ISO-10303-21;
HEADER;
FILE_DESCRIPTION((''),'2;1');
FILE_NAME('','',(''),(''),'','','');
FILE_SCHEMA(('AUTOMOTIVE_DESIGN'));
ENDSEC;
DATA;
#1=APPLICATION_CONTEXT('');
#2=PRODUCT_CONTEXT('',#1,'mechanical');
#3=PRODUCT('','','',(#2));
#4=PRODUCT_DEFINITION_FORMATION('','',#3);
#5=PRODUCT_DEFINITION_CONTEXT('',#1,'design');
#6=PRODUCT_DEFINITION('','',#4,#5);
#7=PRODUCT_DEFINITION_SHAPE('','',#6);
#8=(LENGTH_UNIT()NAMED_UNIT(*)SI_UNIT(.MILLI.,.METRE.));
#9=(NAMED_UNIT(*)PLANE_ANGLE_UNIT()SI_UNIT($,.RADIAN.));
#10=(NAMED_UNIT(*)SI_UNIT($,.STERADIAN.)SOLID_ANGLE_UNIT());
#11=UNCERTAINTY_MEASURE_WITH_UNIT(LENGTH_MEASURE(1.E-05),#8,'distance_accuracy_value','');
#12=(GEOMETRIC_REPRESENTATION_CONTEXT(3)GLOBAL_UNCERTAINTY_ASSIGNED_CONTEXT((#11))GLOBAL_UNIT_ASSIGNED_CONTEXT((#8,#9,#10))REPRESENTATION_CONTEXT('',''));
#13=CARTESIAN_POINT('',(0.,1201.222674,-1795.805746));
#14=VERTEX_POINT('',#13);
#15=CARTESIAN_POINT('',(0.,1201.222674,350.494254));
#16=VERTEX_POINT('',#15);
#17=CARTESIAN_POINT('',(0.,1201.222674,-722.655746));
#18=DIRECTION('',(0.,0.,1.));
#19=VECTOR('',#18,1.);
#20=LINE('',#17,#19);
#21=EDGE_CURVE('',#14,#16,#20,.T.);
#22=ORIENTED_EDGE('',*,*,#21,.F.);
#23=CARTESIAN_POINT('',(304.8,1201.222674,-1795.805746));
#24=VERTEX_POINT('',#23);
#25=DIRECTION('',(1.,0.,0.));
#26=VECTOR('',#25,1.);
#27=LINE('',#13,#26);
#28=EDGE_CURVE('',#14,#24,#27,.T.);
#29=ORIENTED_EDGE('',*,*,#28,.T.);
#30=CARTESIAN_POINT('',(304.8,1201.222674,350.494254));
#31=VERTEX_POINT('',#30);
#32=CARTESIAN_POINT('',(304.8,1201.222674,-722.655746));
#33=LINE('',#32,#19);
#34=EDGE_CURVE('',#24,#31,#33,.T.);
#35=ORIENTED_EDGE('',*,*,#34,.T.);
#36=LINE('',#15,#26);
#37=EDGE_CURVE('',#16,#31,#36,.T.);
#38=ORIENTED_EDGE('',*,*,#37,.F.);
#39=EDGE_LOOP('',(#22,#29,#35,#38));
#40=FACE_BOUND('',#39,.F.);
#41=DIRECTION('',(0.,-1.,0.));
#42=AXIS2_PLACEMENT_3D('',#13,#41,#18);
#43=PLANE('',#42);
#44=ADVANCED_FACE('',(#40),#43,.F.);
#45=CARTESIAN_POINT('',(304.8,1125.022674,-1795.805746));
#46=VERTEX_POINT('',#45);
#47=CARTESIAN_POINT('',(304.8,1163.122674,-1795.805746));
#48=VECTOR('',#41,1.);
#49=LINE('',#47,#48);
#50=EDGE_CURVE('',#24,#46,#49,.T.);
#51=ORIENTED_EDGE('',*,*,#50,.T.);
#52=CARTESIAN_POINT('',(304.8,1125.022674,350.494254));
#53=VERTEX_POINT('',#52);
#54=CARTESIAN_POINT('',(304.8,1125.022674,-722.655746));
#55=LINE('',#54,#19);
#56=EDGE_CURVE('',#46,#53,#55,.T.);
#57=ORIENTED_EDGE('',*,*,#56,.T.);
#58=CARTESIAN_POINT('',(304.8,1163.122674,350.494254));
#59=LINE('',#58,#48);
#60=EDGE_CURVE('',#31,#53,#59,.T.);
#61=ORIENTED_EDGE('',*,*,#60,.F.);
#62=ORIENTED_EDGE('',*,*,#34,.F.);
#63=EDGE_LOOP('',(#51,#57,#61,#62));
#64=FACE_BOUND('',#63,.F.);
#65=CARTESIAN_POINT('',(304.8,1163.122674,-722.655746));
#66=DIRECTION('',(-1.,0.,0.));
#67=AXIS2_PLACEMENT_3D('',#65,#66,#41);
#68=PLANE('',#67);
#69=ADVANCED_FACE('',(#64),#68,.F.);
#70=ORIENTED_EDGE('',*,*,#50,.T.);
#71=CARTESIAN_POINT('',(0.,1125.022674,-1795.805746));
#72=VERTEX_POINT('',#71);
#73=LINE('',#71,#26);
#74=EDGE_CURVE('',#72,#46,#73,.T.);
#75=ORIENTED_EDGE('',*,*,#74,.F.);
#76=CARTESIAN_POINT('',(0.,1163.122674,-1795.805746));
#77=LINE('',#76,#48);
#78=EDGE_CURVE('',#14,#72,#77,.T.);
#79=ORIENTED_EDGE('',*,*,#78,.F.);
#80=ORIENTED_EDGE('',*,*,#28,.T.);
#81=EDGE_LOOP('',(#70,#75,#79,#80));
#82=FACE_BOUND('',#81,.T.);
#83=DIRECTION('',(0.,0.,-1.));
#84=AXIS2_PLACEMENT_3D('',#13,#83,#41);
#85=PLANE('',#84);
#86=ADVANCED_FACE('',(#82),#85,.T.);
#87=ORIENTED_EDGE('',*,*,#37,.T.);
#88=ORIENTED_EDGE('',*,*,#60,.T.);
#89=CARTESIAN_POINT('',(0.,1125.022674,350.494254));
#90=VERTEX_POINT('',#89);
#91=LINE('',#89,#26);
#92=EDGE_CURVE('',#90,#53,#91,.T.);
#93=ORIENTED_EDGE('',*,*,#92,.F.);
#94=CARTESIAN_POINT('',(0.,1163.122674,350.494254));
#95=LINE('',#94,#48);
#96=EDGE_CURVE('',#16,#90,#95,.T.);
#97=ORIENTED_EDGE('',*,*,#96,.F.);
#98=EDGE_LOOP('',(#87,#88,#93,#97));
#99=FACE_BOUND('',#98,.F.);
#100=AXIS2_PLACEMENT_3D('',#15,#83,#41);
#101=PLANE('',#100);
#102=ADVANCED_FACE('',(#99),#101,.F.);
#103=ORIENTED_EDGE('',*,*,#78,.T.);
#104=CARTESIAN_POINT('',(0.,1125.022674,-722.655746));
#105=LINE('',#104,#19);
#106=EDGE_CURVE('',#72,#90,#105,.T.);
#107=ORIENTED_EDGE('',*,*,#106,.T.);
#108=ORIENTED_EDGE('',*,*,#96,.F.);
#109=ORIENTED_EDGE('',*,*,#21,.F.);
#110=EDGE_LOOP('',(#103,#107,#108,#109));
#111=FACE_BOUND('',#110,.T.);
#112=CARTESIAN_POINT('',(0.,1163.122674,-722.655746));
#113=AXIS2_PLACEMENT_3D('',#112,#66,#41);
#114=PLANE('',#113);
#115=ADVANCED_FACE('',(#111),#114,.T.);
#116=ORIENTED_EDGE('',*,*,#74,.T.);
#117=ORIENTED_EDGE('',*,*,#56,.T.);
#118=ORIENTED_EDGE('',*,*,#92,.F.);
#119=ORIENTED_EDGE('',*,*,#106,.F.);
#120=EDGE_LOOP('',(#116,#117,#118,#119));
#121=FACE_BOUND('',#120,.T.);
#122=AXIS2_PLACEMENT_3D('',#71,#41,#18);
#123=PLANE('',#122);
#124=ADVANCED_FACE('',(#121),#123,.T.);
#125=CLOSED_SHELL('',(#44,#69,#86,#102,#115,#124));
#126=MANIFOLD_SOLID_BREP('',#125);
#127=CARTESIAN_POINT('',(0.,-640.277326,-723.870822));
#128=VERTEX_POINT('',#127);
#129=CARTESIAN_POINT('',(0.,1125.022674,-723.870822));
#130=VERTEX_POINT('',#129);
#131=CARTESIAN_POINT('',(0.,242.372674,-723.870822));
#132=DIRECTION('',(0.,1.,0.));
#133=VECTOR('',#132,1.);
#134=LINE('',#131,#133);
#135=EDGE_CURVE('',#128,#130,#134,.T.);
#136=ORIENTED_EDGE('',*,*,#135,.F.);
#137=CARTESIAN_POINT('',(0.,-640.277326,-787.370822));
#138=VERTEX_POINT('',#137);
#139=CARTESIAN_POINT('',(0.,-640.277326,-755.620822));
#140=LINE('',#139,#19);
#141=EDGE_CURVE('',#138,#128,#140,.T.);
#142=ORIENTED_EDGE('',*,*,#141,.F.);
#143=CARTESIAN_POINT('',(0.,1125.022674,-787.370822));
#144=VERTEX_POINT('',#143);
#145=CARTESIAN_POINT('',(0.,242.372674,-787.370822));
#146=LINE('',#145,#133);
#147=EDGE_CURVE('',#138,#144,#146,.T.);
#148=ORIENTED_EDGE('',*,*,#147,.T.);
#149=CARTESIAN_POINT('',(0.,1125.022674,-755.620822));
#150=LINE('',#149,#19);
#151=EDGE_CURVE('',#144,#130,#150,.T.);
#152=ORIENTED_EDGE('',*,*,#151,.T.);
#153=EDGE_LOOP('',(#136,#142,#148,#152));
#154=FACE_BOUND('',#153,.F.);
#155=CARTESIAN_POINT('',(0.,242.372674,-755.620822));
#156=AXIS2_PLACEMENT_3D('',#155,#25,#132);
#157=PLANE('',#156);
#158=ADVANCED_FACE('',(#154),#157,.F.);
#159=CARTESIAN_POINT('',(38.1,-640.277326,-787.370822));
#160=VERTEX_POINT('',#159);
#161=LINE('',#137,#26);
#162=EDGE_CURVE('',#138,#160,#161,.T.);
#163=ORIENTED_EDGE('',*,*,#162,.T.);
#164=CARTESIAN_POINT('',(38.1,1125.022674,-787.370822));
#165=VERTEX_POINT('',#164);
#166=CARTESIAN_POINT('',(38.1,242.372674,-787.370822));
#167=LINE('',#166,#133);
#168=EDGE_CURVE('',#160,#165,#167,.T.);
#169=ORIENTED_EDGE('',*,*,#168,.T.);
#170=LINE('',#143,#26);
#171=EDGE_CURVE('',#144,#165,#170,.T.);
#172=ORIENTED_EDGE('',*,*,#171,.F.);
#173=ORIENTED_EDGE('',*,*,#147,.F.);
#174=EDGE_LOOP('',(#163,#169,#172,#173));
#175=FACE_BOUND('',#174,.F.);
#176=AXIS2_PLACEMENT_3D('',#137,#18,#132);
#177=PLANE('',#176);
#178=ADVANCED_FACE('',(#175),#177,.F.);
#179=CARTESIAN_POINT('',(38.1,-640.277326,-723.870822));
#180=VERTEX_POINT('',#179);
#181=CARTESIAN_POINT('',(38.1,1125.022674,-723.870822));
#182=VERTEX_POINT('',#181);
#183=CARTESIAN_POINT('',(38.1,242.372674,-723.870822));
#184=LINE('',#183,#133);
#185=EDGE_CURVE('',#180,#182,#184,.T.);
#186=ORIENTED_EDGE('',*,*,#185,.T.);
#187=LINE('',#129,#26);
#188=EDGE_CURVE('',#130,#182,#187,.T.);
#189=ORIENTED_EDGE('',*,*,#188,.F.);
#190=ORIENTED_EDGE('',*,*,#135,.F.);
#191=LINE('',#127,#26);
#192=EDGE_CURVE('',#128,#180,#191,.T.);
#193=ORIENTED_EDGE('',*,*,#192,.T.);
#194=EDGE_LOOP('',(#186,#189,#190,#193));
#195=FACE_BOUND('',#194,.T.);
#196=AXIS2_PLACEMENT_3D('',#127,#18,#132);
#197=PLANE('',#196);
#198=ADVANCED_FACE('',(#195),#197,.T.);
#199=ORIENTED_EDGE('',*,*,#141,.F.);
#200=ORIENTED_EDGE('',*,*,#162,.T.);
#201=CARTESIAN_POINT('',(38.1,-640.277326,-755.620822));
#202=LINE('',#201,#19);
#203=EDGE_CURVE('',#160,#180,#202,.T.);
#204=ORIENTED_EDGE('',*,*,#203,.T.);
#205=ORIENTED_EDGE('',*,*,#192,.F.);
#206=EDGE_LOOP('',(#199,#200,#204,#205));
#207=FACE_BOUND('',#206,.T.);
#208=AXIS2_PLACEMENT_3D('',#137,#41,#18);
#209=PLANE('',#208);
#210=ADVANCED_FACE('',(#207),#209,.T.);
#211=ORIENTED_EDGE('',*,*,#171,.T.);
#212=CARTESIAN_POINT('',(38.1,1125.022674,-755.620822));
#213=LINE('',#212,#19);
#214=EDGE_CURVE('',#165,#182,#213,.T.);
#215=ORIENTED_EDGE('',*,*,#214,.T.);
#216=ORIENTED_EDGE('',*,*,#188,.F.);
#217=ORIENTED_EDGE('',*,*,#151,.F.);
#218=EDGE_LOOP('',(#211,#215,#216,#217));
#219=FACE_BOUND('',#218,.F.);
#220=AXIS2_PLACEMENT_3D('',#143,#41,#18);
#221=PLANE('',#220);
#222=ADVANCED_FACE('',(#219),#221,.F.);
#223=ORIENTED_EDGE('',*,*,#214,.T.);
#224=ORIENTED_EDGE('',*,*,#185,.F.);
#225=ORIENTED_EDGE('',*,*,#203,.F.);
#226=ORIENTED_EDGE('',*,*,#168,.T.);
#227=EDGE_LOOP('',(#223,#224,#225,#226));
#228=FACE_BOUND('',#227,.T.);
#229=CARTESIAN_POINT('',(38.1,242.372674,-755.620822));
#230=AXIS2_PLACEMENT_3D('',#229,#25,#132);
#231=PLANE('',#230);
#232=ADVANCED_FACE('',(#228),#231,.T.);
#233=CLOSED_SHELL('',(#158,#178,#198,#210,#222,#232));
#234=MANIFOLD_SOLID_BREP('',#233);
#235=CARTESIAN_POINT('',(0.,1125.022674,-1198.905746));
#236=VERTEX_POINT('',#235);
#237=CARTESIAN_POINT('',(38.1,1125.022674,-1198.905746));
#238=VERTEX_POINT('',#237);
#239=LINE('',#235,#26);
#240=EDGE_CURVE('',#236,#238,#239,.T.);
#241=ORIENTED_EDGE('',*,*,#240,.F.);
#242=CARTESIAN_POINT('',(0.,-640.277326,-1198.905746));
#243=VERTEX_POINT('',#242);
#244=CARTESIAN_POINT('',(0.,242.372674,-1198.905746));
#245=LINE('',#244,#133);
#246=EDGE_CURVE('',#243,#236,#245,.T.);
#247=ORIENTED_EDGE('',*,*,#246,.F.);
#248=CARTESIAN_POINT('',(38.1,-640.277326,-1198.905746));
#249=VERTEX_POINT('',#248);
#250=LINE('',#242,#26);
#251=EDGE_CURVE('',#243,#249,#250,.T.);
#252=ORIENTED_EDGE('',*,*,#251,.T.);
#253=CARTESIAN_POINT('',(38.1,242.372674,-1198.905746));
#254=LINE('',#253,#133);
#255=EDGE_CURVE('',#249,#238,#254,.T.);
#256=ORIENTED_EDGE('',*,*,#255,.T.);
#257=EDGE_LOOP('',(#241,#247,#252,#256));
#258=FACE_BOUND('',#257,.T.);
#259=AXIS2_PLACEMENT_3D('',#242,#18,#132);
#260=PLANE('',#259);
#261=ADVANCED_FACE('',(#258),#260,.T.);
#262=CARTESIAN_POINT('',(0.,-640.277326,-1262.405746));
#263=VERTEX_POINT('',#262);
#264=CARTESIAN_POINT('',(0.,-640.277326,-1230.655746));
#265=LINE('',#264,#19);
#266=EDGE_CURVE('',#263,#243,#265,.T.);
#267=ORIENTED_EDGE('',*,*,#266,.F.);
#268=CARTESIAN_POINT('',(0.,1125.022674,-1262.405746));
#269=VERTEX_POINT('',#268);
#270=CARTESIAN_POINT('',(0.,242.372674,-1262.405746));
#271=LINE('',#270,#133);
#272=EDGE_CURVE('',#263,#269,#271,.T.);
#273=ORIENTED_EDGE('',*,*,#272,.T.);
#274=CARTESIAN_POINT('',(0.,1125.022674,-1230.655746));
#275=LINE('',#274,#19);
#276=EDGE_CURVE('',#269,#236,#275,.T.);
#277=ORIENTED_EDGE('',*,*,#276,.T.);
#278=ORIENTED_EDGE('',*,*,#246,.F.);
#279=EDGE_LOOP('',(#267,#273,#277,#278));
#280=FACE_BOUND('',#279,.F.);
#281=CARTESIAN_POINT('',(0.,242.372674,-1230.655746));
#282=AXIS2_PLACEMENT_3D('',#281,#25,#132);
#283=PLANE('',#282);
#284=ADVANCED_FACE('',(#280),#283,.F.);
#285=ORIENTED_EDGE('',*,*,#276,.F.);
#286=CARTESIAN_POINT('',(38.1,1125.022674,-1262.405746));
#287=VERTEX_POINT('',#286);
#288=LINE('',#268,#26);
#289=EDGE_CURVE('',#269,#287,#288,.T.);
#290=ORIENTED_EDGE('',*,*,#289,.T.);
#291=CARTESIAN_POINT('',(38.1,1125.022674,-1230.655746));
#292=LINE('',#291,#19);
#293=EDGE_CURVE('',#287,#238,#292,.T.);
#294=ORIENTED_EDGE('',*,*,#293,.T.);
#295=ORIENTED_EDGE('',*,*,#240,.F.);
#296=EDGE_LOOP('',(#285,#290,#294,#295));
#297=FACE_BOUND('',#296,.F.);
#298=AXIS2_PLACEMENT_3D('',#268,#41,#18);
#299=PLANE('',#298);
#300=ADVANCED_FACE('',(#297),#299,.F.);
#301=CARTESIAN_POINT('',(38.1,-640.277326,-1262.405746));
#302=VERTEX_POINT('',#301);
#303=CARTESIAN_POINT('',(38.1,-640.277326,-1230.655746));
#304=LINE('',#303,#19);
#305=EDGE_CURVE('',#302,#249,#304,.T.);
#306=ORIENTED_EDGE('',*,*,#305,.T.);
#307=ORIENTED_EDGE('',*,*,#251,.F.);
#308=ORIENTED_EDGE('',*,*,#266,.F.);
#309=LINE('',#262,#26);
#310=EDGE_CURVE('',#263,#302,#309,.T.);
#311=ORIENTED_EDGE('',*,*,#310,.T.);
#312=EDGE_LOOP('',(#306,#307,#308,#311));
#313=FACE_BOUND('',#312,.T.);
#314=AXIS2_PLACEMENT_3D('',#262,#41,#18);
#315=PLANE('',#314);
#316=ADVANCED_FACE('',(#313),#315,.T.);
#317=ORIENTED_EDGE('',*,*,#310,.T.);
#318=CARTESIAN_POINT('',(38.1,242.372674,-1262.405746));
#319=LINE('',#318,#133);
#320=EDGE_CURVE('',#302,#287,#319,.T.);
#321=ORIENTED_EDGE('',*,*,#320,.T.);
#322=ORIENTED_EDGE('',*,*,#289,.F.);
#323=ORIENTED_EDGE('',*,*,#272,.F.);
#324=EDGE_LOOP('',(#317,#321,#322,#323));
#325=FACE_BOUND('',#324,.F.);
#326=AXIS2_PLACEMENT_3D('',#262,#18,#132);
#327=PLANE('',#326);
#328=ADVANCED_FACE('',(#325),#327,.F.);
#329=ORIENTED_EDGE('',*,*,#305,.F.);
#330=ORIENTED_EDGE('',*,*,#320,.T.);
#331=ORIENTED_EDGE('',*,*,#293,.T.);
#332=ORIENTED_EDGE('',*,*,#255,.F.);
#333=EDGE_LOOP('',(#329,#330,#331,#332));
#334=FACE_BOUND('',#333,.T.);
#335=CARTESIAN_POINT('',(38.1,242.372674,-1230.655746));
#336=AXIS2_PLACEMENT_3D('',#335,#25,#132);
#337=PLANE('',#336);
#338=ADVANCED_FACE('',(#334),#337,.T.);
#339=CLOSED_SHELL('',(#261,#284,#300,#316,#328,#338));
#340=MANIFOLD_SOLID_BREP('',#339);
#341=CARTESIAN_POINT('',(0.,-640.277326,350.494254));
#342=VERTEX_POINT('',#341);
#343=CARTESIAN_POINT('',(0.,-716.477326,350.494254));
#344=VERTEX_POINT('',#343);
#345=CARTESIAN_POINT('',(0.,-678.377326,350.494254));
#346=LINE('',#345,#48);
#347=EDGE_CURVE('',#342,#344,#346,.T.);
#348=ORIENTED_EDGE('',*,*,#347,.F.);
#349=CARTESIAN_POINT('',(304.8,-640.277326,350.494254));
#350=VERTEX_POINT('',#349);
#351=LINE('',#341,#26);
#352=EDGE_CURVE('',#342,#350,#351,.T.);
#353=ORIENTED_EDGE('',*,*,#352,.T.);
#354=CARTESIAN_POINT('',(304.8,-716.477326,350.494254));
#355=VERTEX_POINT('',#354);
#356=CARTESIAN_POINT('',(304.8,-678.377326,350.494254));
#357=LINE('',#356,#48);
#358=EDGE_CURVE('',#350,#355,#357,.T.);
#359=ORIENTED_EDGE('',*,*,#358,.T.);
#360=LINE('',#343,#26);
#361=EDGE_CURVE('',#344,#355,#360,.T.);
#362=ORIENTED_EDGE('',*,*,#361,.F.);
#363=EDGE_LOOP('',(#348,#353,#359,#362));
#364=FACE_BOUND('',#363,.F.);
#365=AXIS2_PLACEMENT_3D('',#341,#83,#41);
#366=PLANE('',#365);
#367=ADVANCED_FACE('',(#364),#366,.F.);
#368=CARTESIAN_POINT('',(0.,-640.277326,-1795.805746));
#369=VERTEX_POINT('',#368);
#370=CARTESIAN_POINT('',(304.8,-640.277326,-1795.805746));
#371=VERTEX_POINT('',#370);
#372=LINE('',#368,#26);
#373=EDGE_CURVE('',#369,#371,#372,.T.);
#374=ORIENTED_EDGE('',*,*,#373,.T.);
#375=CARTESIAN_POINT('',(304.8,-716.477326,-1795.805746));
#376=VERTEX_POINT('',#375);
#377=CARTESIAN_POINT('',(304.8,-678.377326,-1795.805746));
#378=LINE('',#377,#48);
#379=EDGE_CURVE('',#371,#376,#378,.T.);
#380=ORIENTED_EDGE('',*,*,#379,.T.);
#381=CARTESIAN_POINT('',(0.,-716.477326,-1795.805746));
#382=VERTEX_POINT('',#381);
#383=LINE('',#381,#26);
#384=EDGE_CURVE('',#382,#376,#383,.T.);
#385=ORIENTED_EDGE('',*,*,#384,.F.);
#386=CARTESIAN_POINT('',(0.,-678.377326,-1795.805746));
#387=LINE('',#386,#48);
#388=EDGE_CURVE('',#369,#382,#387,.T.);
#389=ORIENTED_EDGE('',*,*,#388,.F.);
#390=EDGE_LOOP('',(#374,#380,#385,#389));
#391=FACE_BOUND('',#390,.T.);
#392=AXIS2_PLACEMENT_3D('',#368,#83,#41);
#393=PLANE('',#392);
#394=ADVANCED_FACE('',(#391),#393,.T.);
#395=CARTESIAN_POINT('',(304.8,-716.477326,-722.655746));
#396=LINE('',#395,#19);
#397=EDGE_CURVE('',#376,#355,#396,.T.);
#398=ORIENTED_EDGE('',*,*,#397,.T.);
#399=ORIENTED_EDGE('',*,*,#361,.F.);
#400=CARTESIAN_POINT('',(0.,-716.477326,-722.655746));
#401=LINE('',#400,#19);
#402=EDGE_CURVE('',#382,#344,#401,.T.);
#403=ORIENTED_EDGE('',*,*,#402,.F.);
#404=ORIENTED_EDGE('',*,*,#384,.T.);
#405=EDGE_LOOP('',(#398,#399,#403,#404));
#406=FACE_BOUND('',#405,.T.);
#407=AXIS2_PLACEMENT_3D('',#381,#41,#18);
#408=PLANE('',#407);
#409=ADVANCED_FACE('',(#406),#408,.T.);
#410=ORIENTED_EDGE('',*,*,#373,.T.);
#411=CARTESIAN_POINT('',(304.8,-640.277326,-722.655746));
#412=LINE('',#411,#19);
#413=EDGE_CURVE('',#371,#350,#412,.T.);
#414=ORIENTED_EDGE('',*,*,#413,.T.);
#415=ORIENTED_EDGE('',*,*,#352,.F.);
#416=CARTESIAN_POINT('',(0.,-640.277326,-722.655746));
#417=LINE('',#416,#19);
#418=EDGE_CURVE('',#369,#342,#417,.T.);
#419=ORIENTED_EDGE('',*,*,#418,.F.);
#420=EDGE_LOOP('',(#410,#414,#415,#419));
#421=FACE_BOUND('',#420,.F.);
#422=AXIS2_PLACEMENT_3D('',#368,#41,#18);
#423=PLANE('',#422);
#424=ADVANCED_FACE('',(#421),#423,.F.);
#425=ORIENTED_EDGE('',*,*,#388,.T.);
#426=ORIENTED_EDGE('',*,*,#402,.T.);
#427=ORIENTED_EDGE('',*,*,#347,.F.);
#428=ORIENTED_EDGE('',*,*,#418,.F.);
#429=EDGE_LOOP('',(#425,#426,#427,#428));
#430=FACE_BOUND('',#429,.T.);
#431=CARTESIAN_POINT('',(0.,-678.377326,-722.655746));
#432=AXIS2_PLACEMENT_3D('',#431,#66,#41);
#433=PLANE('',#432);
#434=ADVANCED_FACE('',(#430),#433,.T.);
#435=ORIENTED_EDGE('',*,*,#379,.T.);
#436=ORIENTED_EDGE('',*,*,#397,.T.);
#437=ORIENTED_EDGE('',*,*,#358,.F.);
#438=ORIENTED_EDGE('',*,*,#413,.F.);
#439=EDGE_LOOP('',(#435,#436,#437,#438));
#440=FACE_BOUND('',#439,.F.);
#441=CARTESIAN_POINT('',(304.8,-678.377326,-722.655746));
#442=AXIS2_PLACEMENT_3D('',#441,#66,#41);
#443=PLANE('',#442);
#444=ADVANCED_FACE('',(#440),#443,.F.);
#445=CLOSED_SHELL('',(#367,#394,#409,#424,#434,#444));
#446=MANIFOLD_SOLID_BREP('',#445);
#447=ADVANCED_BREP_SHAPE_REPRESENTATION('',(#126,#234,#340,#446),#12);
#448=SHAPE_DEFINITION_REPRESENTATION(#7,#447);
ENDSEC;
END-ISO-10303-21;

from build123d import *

# Parameters (mm, degrees)
F0_W     = 1765.3
F0_H     = 63.5
F1_DEPTH = 38.1
F2_W     = 76.2
F2_H     = 2146.3
F3_DEPTH = 304.8


with BuildPart() as f1:
    # F0 (on Right) → F1 (new body)
    with BuildSketch(Plane.YZ):
        with Locations((242.372674, -755.620822)):
            Rectangle(F0_W, F0_H)
        with Locations((242.372674, -1230.655746)):
            Rectangle(F0_W, F0_H)
    extrude(amount=F1_DEPTH)


with BuildPart() as f3:
    # F2 (on face) → F3 (new body)
    with BuildSketch(Plane(origin=(0, 0, 0), x_dir=(0, -1, 0), z_dir=(-1, 0, 0))):
        with Locations((678.377326, -722.655746)):
            Rectangle(F2_W, F2_H)
        with Locations((-1163.122674, -722.655746)):
            Rectangle(F2_W, F2_H)
    extrude(amount=-F3_DEPTH)


solid = Compound([f1.part, f3.part])
